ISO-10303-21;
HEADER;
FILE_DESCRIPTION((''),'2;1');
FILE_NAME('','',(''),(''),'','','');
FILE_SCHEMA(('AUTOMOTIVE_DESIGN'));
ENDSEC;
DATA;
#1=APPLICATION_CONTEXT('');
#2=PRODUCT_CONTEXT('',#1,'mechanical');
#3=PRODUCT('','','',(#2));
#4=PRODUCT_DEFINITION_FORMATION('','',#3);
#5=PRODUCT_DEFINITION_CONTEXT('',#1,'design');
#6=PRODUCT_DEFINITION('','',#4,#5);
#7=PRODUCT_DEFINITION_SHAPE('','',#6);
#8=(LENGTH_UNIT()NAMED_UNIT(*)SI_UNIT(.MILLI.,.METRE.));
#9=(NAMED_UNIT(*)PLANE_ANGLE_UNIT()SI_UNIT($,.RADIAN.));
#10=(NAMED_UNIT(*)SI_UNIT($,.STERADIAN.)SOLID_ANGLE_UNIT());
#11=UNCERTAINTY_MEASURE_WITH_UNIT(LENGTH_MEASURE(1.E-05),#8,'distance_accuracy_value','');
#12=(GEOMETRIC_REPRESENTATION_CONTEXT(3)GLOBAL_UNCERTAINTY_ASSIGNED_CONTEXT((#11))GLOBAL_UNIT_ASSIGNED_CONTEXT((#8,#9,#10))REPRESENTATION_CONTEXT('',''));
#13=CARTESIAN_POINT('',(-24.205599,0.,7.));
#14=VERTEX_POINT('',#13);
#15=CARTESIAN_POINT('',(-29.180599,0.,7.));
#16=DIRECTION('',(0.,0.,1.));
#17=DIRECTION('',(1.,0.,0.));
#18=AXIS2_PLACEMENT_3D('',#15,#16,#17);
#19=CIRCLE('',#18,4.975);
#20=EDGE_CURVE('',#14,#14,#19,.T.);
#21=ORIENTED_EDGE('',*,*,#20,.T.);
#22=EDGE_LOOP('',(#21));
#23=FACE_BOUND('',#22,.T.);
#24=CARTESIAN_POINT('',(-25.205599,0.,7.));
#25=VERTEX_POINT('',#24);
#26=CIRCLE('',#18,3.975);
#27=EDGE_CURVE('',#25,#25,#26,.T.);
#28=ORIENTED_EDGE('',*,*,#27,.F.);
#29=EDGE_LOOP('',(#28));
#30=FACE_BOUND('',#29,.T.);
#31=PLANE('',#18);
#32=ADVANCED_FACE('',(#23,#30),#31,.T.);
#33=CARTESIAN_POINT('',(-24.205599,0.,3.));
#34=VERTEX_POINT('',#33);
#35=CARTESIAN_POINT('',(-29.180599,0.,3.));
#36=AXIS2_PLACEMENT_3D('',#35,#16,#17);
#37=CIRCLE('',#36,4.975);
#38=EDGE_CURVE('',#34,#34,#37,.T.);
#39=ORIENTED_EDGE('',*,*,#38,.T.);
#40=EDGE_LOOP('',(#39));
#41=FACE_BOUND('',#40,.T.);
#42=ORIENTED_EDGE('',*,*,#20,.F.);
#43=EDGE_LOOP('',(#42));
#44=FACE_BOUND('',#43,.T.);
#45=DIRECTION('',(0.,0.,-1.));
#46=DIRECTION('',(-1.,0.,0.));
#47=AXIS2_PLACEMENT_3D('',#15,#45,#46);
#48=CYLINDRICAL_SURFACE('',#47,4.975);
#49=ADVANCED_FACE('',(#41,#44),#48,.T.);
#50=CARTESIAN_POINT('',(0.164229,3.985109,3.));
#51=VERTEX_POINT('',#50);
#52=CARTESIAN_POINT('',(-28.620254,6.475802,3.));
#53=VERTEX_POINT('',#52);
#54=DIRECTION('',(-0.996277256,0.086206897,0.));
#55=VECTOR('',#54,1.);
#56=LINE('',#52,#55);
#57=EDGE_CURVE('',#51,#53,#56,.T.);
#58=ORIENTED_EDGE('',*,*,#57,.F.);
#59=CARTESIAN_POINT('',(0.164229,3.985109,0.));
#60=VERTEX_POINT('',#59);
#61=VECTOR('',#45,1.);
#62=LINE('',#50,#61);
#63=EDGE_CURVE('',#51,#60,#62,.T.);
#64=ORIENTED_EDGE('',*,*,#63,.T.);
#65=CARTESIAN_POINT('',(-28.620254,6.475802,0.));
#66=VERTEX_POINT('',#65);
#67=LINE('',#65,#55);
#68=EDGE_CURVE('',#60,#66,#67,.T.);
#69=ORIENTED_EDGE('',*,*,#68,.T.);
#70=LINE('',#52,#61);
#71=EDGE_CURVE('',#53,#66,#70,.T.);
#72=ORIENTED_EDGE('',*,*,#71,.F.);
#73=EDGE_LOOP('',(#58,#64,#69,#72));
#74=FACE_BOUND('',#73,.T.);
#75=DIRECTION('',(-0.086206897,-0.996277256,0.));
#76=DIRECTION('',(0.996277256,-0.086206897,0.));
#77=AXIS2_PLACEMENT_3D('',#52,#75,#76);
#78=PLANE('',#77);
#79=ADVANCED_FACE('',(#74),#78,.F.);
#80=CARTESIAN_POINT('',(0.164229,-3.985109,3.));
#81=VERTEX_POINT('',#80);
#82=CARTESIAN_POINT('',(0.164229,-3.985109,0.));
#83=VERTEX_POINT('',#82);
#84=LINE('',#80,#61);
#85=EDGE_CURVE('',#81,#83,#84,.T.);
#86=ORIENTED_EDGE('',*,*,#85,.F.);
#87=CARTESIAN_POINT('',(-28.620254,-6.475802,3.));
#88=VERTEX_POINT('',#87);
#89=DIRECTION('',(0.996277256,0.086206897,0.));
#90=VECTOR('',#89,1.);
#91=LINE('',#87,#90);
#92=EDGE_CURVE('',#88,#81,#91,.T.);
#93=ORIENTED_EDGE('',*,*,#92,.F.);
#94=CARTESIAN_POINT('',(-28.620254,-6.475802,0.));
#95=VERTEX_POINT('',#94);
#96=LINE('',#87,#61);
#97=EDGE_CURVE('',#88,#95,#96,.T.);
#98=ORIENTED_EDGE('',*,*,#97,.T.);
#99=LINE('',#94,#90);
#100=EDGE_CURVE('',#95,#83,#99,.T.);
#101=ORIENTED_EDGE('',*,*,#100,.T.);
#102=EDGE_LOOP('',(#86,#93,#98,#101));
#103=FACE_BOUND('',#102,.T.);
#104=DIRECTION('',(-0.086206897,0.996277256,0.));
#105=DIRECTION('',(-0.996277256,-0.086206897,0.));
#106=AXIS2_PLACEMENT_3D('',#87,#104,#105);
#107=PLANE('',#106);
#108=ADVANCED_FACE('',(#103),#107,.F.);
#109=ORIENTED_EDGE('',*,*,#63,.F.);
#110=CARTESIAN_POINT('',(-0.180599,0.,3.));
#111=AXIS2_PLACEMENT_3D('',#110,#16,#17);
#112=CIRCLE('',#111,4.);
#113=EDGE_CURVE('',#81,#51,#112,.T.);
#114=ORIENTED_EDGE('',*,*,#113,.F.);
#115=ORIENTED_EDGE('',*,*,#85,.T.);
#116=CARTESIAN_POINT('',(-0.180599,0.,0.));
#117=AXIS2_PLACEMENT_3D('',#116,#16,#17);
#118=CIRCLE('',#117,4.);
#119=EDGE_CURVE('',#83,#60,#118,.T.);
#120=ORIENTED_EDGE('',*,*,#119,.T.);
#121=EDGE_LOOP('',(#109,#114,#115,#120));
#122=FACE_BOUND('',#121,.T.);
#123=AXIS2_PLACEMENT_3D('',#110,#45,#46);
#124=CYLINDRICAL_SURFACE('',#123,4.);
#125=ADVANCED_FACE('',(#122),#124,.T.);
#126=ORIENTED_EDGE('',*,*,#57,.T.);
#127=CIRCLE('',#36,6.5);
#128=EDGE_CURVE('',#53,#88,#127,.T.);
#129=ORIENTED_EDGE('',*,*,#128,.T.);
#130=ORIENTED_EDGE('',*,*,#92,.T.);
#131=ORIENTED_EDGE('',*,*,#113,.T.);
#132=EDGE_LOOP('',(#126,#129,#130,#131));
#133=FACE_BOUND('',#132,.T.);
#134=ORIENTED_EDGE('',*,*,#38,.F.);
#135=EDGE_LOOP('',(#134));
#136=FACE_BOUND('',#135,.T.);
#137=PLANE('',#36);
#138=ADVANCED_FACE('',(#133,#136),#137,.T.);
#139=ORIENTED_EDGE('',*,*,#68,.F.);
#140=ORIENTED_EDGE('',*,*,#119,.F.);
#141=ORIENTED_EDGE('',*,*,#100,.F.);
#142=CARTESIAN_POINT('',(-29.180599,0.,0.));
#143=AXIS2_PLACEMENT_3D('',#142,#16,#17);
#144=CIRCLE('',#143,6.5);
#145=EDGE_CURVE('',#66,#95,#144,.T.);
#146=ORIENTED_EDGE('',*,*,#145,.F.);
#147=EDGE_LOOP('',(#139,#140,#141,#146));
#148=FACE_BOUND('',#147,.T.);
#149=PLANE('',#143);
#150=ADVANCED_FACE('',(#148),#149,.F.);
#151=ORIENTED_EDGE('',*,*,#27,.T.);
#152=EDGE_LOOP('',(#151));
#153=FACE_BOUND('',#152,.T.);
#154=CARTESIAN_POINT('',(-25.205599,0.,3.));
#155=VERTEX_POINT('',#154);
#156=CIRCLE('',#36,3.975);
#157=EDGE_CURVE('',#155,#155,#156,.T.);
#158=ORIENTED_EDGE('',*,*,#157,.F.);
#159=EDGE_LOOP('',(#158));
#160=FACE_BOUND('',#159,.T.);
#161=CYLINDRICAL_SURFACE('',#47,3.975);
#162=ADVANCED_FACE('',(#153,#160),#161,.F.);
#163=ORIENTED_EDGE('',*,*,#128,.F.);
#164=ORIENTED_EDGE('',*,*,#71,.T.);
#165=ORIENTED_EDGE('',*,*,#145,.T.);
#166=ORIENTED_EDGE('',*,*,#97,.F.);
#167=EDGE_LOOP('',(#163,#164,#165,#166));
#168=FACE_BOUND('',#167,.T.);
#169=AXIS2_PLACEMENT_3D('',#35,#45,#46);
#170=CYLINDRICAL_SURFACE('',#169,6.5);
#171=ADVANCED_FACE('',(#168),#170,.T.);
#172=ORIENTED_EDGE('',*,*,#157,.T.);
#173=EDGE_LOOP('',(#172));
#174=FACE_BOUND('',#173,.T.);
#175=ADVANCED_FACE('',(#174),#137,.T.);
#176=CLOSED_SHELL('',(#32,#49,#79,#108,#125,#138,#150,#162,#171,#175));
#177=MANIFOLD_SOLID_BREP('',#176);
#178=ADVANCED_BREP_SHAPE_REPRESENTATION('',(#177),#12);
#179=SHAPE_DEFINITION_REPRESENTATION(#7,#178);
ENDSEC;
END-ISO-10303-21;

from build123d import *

# Parameters (mm, degrees)
BOSS_EXTRUDE1_DEPTH = 3
SKETCH2_R           = 4.975
SKETCH2_R_2         = 3.975
EXTRUDE_THIN1_DEPTH = 4


with BuildPart() as part:
    # Sketch1 → Boss-Extrude1 (new body)
    with BuildSketch(Plane.XY):
        with BuildLine():
            Line((-28.620254205, 6.475802165), (0.164228554, 3.985109024))
            ThreePointArc((0.164228554, 3.985109024), (3.819400968, 0), (0.164228554, -3.985109024))
            Line((0.164228554, -3.985109024), (-28.620254205, -6.475802165))
            ThreePointArc((-28.620254205, -6.475802165), (-35.680599032, 0), (-28.620254205, 6.475802165))
        make_face()
    extrude(amount=BOSS_EXTRUDE1_DEPTH)

    # Sketch2 → Extrude-Thin1 (add)
    with BuildSketch(Plane.XY.offset(3)):
        with Locations((-29.180599032, 0)):
            Circle(SKETCH2_R)
        with Locations((-29.180599032, 0)):
            Circle(SKETCH2_R_2, mode=Mode.SUBTRACT)
    extrude(amount=EXTRUDE_THIN1_DEPTH)


solid = part.part
